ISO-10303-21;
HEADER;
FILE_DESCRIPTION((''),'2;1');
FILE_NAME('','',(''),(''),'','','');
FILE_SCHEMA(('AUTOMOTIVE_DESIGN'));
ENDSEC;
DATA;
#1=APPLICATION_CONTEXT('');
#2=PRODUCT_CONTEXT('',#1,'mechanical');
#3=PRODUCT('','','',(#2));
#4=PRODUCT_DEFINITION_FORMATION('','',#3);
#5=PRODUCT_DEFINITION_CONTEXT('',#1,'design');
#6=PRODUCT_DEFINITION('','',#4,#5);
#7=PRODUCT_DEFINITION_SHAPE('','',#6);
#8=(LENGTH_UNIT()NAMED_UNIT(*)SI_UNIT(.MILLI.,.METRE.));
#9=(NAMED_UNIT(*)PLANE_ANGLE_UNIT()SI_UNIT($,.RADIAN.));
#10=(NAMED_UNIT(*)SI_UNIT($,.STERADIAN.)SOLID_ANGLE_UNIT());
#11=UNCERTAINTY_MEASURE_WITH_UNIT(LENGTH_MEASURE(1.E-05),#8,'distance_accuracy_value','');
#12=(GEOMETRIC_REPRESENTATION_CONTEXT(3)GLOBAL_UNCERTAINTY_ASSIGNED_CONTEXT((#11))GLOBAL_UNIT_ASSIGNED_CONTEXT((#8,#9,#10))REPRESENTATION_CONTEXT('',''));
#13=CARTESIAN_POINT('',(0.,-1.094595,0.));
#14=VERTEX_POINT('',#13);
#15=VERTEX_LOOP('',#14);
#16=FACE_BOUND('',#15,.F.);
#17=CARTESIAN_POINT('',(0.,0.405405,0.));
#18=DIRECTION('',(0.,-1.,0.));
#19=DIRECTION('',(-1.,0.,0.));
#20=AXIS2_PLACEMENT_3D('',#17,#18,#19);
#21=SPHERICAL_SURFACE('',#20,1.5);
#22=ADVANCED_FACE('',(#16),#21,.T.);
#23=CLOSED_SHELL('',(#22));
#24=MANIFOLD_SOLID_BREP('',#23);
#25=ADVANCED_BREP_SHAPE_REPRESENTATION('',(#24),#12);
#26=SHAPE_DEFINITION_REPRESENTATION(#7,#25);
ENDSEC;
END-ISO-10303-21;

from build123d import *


with BuildPart() as part:
    # Sketch1 → Revolve1 (revolve)
    with BuildSketch(Plane.XY):
        with BuildLine():
            Line((0, -1.094594595), (0, 1.905405405))
            ThreePointArc((0, 1.905405405), (-1.5, 0.405405405), (0, -1.094594595))
        make_face()
    revolve(axis=Axis((0, -1.094594595, 0), (0, 1, 0)))


solid = part.part
